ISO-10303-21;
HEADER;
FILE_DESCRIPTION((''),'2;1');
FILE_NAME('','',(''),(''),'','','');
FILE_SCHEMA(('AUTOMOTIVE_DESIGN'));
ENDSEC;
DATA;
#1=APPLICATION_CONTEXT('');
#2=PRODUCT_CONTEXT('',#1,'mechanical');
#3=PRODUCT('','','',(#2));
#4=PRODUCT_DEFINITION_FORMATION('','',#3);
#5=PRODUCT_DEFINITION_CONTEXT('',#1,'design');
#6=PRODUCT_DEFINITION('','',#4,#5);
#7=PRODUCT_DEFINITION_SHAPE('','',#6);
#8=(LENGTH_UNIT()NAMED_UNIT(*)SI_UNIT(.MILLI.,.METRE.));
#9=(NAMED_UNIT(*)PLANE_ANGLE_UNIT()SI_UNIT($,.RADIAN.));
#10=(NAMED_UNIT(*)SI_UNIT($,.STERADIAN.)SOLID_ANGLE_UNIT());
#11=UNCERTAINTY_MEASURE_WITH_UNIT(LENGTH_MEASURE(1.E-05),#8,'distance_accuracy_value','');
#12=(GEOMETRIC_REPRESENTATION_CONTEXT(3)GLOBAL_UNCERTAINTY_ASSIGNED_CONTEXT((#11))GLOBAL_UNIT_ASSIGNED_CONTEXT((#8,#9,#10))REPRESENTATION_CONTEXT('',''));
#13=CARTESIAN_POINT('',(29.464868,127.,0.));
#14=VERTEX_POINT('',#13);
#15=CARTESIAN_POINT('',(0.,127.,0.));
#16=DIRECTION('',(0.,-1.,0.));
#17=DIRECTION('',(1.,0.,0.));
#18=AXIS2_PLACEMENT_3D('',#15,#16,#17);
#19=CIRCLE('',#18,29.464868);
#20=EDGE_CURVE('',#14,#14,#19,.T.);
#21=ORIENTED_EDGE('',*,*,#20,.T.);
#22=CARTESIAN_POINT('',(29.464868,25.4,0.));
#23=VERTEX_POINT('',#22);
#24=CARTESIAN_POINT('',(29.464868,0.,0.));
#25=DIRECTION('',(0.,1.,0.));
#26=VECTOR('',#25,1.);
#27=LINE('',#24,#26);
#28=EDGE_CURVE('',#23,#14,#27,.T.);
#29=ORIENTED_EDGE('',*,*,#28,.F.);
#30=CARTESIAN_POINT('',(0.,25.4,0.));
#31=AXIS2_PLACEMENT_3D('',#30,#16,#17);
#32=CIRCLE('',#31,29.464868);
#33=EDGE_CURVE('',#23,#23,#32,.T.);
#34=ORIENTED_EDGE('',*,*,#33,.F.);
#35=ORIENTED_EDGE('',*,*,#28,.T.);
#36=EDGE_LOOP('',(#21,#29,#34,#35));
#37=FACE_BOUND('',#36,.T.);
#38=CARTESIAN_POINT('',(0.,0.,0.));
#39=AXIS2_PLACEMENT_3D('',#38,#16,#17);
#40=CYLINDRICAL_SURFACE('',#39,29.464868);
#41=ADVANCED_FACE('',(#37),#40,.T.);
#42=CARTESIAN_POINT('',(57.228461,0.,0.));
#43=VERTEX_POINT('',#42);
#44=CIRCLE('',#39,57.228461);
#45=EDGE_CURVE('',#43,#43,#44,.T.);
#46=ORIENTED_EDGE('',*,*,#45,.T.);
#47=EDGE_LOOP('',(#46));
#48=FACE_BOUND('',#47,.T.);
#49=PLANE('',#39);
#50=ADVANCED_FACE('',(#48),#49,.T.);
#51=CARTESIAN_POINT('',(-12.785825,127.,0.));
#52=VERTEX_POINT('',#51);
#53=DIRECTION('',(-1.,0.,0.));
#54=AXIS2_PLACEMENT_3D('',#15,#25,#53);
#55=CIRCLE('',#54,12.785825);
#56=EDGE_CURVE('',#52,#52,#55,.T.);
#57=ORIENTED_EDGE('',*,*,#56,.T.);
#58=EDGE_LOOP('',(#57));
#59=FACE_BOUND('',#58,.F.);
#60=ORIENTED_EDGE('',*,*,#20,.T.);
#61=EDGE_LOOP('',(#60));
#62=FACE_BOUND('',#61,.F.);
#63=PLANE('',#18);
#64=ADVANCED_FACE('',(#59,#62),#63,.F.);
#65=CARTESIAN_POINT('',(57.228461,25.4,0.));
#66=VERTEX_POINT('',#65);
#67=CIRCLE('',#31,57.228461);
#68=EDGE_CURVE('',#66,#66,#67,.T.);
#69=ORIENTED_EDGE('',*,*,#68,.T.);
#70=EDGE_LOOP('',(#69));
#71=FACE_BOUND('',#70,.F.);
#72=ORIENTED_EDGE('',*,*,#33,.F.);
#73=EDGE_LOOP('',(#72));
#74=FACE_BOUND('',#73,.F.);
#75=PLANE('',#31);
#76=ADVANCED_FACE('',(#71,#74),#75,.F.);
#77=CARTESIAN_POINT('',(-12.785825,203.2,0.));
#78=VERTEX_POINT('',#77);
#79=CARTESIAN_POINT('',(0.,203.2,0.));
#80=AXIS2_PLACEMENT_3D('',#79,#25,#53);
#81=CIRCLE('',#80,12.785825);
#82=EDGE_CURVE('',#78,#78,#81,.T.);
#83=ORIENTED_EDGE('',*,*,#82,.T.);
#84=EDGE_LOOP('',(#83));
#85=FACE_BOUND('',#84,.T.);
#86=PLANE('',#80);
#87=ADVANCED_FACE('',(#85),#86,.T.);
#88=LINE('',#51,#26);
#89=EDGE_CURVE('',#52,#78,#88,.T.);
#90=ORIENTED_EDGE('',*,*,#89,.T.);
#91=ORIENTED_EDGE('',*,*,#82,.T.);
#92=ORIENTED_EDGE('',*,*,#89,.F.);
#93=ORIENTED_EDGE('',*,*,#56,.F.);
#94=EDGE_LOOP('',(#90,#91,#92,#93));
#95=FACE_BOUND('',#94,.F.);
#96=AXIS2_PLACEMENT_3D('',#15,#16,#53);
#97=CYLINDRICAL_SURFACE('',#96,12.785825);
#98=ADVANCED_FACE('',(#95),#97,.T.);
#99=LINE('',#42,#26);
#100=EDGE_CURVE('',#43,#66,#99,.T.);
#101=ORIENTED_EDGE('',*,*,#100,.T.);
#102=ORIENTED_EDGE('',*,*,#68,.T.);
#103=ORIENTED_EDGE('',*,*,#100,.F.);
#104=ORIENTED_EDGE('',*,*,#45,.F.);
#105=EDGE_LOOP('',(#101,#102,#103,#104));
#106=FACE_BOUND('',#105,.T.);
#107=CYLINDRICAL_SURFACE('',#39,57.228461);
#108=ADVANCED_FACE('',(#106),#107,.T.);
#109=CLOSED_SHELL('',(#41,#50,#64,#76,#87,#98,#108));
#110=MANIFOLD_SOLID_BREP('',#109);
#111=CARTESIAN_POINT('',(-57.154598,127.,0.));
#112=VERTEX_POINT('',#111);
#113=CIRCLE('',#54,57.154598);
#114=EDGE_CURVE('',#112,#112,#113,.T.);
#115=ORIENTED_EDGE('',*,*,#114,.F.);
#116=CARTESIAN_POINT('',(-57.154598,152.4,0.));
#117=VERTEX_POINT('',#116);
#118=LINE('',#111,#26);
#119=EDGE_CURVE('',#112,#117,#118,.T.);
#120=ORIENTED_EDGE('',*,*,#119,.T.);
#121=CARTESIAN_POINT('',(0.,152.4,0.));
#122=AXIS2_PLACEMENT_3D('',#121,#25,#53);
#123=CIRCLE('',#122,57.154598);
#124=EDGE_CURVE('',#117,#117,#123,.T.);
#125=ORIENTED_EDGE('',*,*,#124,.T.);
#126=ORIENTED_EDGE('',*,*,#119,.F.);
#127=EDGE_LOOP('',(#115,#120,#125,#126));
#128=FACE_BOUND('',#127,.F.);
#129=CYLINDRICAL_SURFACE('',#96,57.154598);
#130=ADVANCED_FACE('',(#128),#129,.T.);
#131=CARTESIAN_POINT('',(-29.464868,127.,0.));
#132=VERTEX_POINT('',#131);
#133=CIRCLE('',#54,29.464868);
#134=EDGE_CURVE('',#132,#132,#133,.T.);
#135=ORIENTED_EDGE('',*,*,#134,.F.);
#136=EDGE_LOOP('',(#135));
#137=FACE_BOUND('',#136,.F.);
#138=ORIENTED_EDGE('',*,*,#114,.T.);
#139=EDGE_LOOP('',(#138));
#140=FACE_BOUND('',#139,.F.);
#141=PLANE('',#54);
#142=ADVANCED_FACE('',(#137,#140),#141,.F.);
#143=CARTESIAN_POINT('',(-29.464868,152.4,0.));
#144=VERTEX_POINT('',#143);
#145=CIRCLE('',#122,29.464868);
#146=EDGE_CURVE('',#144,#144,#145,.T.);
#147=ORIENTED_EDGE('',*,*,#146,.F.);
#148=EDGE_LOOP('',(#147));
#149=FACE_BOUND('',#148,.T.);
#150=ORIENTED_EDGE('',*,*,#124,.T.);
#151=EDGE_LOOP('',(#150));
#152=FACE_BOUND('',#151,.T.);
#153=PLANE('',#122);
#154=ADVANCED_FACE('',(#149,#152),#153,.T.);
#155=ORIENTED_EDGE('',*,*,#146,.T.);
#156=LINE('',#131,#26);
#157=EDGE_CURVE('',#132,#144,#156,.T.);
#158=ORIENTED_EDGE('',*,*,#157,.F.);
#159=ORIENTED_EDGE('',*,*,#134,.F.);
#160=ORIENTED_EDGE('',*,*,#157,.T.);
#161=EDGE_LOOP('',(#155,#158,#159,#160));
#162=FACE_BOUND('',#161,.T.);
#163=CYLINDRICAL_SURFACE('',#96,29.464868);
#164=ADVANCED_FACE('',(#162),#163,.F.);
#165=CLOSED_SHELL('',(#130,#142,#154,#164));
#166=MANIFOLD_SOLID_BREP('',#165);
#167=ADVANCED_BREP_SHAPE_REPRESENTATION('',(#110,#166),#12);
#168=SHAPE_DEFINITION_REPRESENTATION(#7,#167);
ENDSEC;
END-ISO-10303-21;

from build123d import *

# Parameters (mm, degrees)
F0_R     = 57.228461
F0_R_2   = 21.323022
F1_DEPTH = 25.4
F2_R     = 29.464868
F3_DEPTH = 127
F4_R     = 57.154598
F4_R_2   = 29.464868
F5_DEPTH = 25.4
F6_R     = 12.785825
F7_DEPTH = 76.2


with BuildPart() as f1:
    # F0 (on Front) → F1 (new body)
    with BuildSketch(Plane.XZ):
        Circle(F0_R)
        Circle(F0_R_2, mode=Mode.SUBTRACT)
        Circle(F0_R_2)
    extrude(amount=-F1_DEPTH)

    # F2 (on Front) → F3 (join)
    with BuildSketch(Plane.XZ):
        Circle(F2_R)
    extrude(amount=-F3_DEPTH)

    # F6 (on face) → F7 (join)
    with BuildSketch(Plane(origin=(0, 127, 0), x_dir=(-1, 0, 0), z_dir=(0, 1, 0))):
        Circle(F6_R)
    extrude(amount=F7_DEPTH)


with BuildPart() as f5:
    # F4 (on face) → F5 (new body)
    with BuildSketch(Plane(origin=(0, 127, 0), x_dir=(-1, 0, 0), z_dir=(0, 1, 0))):
        Circle(F4_R)
        Circle(F4_R_2, mode=Mode.SUBTRACT)
    extrude(amount=F5_DEPTH)


solid = Compound([f1.part, f5.part])
